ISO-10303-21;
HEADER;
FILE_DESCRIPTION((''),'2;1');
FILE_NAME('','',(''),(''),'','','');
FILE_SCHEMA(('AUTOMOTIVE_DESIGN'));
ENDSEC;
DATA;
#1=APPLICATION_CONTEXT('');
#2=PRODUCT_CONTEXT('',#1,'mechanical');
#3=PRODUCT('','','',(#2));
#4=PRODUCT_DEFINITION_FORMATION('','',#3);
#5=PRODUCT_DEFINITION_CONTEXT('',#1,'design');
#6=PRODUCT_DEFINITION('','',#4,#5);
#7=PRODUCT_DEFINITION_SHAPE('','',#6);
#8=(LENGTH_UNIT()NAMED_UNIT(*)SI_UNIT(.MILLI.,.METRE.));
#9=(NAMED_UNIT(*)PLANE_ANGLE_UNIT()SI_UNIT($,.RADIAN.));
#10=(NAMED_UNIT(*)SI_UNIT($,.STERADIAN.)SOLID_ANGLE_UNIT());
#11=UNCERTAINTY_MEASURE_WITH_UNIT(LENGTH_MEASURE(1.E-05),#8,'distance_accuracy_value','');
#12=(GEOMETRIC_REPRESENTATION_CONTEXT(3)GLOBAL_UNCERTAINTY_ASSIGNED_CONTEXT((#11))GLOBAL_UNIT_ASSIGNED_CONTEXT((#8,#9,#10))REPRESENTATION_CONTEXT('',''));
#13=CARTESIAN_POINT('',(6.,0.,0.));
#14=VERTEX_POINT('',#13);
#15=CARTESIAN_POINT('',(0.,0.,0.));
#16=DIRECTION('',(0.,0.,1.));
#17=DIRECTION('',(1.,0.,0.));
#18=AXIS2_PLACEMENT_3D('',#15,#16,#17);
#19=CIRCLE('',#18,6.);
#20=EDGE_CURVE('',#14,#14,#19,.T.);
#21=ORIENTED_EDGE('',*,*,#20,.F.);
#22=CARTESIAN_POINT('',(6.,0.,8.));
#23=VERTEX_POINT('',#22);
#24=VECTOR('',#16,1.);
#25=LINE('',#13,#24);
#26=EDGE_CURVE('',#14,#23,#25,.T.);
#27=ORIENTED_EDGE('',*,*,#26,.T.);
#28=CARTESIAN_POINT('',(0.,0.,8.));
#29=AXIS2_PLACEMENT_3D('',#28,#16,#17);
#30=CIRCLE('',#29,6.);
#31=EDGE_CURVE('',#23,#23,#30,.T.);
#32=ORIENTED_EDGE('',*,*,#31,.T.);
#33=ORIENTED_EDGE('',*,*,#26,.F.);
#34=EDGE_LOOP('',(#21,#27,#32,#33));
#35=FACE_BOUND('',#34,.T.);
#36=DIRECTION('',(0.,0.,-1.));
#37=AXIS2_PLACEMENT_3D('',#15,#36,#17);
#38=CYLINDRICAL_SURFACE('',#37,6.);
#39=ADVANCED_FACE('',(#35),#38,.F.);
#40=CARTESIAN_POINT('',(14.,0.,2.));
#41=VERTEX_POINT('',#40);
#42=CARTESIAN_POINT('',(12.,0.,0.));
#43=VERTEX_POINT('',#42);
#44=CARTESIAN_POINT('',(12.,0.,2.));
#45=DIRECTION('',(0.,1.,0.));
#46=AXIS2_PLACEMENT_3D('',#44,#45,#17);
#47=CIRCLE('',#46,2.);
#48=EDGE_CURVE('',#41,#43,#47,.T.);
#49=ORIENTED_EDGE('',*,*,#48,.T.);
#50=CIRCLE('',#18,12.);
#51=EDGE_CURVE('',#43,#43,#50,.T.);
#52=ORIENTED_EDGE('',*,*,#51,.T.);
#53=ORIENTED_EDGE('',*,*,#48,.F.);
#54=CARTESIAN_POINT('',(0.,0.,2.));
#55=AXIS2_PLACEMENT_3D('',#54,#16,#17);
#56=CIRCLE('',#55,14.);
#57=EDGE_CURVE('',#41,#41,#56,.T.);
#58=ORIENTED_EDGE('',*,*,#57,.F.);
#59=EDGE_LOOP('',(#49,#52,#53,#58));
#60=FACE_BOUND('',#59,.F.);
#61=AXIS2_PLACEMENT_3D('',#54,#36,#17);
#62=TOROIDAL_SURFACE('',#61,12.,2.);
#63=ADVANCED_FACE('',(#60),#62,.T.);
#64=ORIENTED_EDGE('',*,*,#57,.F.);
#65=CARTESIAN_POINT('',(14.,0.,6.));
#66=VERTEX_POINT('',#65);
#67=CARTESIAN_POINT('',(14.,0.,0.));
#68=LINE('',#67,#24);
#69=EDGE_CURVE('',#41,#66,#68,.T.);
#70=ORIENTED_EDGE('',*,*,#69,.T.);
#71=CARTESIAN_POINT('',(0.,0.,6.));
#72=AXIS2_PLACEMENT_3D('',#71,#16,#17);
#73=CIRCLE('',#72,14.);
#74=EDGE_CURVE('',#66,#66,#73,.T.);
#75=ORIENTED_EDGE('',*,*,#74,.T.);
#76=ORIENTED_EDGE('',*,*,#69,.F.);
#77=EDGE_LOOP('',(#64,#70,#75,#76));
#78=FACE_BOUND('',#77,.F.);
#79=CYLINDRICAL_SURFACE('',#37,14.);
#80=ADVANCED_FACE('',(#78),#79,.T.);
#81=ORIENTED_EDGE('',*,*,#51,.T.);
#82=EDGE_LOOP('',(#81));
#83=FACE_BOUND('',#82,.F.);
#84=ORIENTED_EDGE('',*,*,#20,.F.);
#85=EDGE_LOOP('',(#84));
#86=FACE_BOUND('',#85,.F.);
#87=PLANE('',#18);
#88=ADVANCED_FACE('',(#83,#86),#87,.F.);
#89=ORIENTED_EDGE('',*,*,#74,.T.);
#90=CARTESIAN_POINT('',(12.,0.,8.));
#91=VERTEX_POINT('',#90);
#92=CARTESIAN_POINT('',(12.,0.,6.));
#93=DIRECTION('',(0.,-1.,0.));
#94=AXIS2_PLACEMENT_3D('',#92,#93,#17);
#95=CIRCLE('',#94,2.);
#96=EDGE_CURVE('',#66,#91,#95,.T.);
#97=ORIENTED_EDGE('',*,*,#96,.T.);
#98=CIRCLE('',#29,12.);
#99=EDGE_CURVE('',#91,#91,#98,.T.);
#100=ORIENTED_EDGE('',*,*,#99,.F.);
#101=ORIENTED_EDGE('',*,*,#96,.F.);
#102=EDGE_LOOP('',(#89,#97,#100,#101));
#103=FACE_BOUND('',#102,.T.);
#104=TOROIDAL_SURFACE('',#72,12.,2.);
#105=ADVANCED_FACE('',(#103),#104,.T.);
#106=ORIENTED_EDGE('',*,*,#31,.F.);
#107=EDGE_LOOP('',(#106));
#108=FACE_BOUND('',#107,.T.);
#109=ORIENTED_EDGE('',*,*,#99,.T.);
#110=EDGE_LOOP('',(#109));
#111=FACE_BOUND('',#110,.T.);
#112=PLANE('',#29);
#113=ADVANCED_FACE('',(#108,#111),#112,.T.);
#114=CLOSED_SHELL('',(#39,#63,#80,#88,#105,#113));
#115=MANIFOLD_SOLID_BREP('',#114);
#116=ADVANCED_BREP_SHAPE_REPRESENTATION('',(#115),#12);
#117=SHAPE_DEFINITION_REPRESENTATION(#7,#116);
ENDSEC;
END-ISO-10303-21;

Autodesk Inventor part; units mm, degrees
ref_plane "YZ Plane" through (0, 0, 0) normal (1, 0, 0) x (0, 1, 0)
ref_plane "XZ Plane" through (0, 0, 0) normal (0, 1, 0) x (-1, 0, 0)
ref_plane "XY Plane" through (0, 0, 0) normal (0, 0, 1) x (1, 0, 0)
sketch "Sketch1" plane through (0, 0, 0) normal (0, 0, 1) x (1, 0, 0)
  circle A0 centre (0, 0) radius 6
  circle A1 centre (0, 0) radius 14
  dimension "d0" = 12
  dimension "d1" = 28
extrude "Extrusion1" add sketch "Sketch1" along normal blind 8
fillet "Fillet1" radius 2 2 edges at (-14, 0, 8) (-14, 0, 0)
properties part number "28x12x8mm Bearing" material "Steel, Carbon"
